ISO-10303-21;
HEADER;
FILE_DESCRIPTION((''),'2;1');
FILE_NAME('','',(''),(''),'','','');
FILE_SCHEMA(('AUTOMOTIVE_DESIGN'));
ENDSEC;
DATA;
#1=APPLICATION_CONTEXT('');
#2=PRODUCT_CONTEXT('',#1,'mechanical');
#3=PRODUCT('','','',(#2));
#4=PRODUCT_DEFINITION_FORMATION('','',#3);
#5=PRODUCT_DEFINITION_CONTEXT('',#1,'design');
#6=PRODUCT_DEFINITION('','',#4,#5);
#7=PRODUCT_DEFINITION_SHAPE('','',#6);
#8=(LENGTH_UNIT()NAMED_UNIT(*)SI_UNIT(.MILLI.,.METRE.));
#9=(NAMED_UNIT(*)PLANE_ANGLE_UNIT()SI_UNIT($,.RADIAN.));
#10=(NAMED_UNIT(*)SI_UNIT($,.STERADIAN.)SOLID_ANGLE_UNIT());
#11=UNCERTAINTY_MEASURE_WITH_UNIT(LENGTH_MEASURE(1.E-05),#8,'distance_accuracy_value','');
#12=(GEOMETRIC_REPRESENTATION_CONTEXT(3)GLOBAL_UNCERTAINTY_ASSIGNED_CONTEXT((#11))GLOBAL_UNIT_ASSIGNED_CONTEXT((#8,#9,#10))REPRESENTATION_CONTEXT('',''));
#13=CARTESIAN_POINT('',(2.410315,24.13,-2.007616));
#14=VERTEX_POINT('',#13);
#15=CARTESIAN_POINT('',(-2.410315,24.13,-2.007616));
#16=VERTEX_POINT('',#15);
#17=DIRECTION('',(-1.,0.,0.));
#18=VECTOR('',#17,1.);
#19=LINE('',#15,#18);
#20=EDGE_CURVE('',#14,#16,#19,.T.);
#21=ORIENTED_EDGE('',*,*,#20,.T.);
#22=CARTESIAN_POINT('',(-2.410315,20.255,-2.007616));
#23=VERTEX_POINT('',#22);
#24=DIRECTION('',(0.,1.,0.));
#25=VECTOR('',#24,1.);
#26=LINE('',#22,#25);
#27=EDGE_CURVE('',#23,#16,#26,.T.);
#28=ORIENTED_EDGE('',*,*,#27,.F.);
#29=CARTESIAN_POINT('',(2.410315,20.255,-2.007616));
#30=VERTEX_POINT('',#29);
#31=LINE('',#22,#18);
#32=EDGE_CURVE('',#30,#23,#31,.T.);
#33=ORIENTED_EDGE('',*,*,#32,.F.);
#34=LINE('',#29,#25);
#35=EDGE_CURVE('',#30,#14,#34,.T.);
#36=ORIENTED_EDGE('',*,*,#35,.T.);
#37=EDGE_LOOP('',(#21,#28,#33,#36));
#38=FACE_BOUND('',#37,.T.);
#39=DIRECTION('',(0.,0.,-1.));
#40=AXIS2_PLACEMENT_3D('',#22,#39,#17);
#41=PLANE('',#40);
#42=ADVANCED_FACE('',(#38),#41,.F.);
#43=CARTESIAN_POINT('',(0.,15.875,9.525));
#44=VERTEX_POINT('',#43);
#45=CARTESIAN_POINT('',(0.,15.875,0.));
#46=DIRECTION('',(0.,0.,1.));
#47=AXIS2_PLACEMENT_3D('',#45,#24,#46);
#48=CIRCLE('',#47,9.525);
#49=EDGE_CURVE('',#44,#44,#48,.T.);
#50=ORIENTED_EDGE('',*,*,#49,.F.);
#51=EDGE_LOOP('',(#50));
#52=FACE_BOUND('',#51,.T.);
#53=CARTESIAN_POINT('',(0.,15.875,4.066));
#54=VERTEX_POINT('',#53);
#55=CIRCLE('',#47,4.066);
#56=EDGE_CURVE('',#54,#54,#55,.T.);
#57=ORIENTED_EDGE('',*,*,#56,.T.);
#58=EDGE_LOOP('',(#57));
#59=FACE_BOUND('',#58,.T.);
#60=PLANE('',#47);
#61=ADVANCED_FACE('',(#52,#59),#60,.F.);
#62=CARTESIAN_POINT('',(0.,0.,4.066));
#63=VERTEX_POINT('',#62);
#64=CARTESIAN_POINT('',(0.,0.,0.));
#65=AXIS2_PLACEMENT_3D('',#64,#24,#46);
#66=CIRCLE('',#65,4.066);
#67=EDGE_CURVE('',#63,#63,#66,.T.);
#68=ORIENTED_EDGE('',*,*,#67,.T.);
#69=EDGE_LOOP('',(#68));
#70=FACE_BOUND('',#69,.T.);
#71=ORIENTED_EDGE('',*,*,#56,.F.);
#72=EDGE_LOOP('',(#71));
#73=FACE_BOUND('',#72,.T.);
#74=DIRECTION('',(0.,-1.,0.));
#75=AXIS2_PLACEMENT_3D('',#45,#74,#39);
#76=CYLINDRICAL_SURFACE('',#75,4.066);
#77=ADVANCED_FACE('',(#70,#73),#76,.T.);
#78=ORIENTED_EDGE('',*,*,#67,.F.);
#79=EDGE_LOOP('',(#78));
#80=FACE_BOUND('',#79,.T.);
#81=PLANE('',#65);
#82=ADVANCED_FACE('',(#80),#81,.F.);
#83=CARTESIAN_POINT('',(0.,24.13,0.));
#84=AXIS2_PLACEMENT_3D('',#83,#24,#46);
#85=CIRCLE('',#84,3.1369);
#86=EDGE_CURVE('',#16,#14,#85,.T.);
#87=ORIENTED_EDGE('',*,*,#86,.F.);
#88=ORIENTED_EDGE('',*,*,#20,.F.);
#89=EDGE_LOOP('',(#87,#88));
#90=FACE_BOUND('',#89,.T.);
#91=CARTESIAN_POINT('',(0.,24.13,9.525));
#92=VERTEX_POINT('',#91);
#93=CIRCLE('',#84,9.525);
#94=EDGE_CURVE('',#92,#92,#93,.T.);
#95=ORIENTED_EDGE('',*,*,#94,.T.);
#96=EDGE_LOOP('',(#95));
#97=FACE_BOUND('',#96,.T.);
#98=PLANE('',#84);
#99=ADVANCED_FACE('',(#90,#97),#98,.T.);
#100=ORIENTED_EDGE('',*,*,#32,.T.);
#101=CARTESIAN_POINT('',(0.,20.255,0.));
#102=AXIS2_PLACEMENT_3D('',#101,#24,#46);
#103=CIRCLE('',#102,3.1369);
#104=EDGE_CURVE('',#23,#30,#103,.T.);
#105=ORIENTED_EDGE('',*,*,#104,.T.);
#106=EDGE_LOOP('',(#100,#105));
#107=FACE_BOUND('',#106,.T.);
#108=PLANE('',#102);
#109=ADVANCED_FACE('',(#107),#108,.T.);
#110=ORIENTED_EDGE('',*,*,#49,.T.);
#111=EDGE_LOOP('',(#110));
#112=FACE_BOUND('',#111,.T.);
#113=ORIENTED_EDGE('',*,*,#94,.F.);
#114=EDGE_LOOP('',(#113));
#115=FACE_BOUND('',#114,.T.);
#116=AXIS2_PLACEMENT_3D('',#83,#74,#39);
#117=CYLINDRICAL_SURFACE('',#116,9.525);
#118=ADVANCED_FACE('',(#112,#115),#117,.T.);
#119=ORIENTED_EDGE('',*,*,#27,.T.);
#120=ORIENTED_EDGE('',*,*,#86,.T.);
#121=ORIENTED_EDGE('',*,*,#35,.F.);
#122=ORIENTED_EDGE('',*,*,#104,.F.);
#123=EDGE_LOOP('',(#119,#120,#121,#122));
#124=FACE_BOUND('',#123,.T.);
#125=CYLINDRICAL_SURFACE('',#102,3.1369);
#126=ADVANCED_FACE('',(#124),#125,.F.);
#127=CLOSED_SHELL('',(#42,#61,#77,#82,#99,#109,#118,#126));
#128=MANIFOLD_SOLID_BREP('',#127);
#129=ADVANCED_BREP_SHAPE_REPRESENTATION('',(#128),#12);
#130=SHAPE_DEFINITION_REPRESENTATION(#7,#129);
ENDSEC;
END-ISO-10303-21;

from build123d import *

# Parameters (mm, degrees)
SKETCH2_R           = 4.066
BOSS_EXTRUDE1_DEPTH = 15.875
SKETCH3_R           = 9.525
BOSS_EXTRUDE2_DEPTH = 8.255
CUT_EXTRUDE1_DEPTH  = 3.875


with BuildPart() as part:
    # Sketch2 → Boss-Extrude1 (new body)
    with BuildSketch(Plane(origin=(0, 0, 0), x_dir=(1, 0, 0), z_dir=(0, 1, 0))):
        with Locations(Location((0, 0, 0), (0, 0, 270))):
            Circle(SKETCH2_R)
    extrude(amount=BOSS_EXTRUDE1_DEPTH)

    # Sketch3 → Boss-Extrude2 (add)
    with BuildSketch(Plane(origin=(0, 15.875, 0), x_dir=(1, 0, 0), z_dir=(0, 1, 0))):
        with Locations(Location((0, 0, 0), (0, 0, 270))):
            Circle(SKETCH3_R)
    extrude(amount=BOSS_EXTRUDE2_DEPTH)

    # Sketch4 → Cut-Extrude1 (cut)
    with BuildSketch(Plane(origin=(0, 24.13, 0), x_dir=(1, 0, 0), z_dir=(0, 1, 0))):
        with BuildLine():
            Line((-2.41031525, 2.007616), (2.41031525, 2.007616))
            ThreePointArc((2.41031525, 2.007616), (0, -3.1369), (-2.41031525, 2.007616))
        make_face()
    extrude(amount=-CUT_EXTRUDE1_DEPTH, mode=Mode.SUBTRACT)


solid = part.part
